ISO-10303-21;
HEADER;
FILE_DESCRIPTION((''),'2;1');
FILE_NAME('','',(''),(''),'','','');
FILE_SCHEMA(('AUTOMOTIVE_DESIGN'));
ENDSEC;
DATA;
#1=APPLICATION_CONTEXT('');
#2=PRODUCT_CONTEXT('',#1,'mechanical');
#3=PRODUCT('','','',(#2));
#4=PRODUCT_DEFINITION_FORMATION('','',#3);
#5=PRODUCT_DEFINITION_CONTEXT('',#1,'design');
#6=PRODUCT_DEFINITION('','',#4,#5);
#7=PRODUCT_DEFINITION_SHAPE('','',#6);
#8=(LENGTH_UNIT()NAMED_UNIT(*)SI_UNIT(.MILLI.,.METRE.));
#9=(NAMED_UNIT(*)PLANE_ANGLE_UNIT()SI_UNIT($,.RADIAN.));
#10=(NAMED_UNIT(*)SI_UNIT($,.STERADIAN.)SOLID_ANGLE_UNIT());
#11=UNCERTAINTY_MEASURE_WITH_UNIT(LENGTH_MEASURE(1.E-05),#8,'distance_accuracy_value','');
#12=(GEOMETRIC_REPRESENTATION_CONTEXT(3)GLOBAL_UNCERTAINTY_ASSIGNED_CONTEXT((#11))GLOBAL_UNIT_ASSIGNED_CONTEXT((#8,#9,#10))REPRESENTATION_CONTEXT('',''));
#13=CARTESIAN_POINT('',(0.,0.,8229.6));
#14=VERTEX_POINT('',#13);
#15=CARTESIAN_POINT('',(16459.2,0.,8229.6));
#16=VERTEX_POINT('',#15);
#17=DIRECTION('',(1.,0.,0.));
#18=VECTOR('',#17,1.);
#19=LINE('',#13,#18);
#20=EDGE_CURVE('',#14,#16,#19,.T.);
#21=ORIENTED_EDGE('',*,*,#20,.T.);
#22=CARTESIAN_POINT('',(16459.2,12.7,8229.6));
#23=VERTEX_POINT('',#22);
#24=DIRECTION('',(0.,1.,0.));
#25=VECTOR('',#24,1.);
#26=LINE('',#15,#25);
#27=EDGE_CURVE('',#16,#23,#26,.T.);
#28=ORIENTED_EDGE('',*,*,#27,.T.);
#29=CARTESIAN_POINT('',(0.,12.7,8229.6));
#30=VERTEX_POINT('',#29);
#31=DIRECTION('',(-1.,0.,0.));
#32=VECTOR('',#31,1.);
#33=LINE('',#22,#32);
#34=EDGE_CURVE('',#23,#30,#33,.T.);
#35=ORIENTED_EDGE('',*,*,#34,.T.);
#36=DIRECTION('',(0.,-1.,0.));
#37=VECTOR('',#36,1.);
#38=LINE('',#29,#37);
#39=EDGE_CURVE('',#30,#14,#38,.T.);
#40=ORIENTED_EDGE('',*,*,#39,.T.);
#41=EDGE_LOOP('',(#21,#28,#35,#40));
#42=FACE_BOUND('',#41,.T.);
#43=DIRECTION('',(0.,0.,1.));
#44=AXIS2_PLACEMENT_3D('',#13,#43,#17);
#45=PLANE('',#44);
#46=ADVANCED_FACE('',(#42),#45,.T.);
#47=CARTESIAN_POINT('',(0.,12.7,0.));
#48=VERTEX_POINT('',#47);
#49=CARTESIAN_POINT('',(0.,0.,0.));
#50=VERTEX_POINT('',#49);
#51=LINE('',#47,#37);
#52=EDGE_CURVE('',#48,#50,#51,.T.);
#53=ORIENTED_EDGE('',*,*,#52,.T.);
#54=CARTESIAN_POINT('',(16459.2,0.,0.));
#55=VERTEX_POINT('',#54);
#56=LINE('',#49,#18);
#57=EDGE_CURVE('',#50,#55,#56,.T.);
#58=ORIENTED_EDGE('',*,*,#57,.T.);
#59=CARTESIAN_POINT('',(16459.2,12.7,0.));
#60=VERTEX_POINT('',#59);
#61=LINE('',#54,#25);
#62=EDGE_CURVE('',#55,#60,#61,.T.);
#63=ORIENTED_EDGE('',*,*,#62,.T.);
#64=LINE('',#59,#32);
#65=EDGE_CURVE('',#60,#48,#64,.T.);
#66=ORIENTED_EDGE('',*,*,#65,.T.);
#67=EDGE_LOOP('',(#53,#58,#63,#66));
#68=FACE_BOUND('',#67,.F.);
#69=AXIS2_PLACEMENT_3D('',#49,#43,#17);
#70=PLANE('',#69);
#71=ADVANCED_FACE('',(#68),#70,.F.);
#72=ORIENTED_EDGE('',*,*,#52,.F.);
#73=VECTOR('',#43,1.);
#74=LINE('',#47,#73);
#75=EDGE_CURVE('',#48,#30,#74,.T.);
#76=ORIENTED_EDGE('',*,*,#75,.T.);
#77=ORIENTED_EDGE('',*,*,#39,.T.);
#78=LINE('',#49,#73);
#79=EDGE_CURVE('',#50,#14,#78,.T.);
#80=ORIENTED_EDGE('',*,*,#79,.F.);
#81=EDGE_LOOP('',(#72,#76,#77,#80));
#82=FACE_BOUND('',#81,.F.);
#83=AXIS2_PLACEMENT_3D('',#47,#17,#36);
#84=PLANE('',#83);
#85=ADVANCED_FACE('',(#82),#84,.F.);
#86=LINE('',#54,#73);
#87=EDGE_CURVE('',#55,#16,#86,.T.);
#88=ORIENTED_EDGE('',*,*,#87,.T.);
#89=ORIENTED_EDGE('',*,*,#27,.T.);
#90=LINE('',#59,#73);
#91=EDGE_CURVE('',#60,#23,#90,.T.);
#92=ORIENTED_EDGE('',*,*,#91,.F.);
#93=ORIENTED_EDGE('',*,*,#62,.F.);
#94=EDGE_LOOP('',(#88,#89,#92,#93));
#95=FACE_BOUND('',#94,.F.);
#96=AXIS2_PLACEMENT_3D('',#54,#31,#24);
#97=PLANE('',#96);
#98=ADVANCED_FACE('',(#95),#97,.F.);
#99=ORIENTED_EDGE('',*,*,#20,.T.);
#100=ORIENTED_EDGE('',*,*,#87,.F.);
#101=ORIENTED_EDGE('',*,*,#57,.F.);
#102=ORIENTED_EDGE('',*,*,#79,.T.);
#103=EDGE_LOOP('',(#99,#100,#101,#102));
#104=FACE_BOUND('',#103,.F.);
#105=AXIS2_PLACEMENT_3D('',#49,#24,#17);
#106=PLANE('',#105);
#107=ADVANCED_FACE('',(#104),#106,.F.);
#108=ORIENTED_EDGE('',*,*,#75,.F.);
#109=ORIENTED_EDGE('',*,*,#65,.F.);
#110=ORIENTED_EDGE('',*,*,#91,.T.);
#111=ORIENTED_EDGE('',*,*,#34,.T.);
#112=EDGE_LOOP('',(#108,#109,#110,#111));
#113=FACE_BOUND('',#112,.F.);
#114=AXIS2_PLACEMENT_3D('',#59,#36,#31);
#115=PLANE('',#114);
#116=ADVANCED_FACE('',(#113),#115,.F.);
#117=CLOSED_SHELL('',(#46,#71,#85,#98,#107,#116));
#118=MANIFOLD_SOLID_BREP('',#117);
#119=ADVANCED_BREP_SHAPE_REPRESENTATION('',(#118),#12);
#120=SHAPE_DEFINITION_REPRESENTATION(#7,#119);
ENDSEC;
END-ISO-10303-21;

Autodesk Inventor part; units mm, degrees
ref_plane "YZ Plane" through (0, 0, 0) normal (1, 0, 0) x (0, 1, 0)
ref_plane "XZ Plane" through (0, 0, 0) normal (0, 1, 0) x (-1, 0, 0)
ref_plane "XY Plane" through (0, 0, 0) normal (0, 0, 1) x (1, 0, 0)
sketch "Sketch1" plane through (0, 0, 0) normal (0, 0, 1) x (1, 0, 0)
  line L0 (0, 0) -> (16459.2, 0)
  line L1 (16459.2, 0) -> (16459.2, 12.7)
  line L2 (16459.2, 12.7) -> (0, 12.7)
  line L3 (0, 12.7) -> (0, 0)
  dimension "d0" = 12.7
  dimension "d1" = 16459.2
extrude "Extrusion1" add sketch "Sketch1" along normal blind 8229.6
properties part number "Carpet" material "ABS Plastic"
